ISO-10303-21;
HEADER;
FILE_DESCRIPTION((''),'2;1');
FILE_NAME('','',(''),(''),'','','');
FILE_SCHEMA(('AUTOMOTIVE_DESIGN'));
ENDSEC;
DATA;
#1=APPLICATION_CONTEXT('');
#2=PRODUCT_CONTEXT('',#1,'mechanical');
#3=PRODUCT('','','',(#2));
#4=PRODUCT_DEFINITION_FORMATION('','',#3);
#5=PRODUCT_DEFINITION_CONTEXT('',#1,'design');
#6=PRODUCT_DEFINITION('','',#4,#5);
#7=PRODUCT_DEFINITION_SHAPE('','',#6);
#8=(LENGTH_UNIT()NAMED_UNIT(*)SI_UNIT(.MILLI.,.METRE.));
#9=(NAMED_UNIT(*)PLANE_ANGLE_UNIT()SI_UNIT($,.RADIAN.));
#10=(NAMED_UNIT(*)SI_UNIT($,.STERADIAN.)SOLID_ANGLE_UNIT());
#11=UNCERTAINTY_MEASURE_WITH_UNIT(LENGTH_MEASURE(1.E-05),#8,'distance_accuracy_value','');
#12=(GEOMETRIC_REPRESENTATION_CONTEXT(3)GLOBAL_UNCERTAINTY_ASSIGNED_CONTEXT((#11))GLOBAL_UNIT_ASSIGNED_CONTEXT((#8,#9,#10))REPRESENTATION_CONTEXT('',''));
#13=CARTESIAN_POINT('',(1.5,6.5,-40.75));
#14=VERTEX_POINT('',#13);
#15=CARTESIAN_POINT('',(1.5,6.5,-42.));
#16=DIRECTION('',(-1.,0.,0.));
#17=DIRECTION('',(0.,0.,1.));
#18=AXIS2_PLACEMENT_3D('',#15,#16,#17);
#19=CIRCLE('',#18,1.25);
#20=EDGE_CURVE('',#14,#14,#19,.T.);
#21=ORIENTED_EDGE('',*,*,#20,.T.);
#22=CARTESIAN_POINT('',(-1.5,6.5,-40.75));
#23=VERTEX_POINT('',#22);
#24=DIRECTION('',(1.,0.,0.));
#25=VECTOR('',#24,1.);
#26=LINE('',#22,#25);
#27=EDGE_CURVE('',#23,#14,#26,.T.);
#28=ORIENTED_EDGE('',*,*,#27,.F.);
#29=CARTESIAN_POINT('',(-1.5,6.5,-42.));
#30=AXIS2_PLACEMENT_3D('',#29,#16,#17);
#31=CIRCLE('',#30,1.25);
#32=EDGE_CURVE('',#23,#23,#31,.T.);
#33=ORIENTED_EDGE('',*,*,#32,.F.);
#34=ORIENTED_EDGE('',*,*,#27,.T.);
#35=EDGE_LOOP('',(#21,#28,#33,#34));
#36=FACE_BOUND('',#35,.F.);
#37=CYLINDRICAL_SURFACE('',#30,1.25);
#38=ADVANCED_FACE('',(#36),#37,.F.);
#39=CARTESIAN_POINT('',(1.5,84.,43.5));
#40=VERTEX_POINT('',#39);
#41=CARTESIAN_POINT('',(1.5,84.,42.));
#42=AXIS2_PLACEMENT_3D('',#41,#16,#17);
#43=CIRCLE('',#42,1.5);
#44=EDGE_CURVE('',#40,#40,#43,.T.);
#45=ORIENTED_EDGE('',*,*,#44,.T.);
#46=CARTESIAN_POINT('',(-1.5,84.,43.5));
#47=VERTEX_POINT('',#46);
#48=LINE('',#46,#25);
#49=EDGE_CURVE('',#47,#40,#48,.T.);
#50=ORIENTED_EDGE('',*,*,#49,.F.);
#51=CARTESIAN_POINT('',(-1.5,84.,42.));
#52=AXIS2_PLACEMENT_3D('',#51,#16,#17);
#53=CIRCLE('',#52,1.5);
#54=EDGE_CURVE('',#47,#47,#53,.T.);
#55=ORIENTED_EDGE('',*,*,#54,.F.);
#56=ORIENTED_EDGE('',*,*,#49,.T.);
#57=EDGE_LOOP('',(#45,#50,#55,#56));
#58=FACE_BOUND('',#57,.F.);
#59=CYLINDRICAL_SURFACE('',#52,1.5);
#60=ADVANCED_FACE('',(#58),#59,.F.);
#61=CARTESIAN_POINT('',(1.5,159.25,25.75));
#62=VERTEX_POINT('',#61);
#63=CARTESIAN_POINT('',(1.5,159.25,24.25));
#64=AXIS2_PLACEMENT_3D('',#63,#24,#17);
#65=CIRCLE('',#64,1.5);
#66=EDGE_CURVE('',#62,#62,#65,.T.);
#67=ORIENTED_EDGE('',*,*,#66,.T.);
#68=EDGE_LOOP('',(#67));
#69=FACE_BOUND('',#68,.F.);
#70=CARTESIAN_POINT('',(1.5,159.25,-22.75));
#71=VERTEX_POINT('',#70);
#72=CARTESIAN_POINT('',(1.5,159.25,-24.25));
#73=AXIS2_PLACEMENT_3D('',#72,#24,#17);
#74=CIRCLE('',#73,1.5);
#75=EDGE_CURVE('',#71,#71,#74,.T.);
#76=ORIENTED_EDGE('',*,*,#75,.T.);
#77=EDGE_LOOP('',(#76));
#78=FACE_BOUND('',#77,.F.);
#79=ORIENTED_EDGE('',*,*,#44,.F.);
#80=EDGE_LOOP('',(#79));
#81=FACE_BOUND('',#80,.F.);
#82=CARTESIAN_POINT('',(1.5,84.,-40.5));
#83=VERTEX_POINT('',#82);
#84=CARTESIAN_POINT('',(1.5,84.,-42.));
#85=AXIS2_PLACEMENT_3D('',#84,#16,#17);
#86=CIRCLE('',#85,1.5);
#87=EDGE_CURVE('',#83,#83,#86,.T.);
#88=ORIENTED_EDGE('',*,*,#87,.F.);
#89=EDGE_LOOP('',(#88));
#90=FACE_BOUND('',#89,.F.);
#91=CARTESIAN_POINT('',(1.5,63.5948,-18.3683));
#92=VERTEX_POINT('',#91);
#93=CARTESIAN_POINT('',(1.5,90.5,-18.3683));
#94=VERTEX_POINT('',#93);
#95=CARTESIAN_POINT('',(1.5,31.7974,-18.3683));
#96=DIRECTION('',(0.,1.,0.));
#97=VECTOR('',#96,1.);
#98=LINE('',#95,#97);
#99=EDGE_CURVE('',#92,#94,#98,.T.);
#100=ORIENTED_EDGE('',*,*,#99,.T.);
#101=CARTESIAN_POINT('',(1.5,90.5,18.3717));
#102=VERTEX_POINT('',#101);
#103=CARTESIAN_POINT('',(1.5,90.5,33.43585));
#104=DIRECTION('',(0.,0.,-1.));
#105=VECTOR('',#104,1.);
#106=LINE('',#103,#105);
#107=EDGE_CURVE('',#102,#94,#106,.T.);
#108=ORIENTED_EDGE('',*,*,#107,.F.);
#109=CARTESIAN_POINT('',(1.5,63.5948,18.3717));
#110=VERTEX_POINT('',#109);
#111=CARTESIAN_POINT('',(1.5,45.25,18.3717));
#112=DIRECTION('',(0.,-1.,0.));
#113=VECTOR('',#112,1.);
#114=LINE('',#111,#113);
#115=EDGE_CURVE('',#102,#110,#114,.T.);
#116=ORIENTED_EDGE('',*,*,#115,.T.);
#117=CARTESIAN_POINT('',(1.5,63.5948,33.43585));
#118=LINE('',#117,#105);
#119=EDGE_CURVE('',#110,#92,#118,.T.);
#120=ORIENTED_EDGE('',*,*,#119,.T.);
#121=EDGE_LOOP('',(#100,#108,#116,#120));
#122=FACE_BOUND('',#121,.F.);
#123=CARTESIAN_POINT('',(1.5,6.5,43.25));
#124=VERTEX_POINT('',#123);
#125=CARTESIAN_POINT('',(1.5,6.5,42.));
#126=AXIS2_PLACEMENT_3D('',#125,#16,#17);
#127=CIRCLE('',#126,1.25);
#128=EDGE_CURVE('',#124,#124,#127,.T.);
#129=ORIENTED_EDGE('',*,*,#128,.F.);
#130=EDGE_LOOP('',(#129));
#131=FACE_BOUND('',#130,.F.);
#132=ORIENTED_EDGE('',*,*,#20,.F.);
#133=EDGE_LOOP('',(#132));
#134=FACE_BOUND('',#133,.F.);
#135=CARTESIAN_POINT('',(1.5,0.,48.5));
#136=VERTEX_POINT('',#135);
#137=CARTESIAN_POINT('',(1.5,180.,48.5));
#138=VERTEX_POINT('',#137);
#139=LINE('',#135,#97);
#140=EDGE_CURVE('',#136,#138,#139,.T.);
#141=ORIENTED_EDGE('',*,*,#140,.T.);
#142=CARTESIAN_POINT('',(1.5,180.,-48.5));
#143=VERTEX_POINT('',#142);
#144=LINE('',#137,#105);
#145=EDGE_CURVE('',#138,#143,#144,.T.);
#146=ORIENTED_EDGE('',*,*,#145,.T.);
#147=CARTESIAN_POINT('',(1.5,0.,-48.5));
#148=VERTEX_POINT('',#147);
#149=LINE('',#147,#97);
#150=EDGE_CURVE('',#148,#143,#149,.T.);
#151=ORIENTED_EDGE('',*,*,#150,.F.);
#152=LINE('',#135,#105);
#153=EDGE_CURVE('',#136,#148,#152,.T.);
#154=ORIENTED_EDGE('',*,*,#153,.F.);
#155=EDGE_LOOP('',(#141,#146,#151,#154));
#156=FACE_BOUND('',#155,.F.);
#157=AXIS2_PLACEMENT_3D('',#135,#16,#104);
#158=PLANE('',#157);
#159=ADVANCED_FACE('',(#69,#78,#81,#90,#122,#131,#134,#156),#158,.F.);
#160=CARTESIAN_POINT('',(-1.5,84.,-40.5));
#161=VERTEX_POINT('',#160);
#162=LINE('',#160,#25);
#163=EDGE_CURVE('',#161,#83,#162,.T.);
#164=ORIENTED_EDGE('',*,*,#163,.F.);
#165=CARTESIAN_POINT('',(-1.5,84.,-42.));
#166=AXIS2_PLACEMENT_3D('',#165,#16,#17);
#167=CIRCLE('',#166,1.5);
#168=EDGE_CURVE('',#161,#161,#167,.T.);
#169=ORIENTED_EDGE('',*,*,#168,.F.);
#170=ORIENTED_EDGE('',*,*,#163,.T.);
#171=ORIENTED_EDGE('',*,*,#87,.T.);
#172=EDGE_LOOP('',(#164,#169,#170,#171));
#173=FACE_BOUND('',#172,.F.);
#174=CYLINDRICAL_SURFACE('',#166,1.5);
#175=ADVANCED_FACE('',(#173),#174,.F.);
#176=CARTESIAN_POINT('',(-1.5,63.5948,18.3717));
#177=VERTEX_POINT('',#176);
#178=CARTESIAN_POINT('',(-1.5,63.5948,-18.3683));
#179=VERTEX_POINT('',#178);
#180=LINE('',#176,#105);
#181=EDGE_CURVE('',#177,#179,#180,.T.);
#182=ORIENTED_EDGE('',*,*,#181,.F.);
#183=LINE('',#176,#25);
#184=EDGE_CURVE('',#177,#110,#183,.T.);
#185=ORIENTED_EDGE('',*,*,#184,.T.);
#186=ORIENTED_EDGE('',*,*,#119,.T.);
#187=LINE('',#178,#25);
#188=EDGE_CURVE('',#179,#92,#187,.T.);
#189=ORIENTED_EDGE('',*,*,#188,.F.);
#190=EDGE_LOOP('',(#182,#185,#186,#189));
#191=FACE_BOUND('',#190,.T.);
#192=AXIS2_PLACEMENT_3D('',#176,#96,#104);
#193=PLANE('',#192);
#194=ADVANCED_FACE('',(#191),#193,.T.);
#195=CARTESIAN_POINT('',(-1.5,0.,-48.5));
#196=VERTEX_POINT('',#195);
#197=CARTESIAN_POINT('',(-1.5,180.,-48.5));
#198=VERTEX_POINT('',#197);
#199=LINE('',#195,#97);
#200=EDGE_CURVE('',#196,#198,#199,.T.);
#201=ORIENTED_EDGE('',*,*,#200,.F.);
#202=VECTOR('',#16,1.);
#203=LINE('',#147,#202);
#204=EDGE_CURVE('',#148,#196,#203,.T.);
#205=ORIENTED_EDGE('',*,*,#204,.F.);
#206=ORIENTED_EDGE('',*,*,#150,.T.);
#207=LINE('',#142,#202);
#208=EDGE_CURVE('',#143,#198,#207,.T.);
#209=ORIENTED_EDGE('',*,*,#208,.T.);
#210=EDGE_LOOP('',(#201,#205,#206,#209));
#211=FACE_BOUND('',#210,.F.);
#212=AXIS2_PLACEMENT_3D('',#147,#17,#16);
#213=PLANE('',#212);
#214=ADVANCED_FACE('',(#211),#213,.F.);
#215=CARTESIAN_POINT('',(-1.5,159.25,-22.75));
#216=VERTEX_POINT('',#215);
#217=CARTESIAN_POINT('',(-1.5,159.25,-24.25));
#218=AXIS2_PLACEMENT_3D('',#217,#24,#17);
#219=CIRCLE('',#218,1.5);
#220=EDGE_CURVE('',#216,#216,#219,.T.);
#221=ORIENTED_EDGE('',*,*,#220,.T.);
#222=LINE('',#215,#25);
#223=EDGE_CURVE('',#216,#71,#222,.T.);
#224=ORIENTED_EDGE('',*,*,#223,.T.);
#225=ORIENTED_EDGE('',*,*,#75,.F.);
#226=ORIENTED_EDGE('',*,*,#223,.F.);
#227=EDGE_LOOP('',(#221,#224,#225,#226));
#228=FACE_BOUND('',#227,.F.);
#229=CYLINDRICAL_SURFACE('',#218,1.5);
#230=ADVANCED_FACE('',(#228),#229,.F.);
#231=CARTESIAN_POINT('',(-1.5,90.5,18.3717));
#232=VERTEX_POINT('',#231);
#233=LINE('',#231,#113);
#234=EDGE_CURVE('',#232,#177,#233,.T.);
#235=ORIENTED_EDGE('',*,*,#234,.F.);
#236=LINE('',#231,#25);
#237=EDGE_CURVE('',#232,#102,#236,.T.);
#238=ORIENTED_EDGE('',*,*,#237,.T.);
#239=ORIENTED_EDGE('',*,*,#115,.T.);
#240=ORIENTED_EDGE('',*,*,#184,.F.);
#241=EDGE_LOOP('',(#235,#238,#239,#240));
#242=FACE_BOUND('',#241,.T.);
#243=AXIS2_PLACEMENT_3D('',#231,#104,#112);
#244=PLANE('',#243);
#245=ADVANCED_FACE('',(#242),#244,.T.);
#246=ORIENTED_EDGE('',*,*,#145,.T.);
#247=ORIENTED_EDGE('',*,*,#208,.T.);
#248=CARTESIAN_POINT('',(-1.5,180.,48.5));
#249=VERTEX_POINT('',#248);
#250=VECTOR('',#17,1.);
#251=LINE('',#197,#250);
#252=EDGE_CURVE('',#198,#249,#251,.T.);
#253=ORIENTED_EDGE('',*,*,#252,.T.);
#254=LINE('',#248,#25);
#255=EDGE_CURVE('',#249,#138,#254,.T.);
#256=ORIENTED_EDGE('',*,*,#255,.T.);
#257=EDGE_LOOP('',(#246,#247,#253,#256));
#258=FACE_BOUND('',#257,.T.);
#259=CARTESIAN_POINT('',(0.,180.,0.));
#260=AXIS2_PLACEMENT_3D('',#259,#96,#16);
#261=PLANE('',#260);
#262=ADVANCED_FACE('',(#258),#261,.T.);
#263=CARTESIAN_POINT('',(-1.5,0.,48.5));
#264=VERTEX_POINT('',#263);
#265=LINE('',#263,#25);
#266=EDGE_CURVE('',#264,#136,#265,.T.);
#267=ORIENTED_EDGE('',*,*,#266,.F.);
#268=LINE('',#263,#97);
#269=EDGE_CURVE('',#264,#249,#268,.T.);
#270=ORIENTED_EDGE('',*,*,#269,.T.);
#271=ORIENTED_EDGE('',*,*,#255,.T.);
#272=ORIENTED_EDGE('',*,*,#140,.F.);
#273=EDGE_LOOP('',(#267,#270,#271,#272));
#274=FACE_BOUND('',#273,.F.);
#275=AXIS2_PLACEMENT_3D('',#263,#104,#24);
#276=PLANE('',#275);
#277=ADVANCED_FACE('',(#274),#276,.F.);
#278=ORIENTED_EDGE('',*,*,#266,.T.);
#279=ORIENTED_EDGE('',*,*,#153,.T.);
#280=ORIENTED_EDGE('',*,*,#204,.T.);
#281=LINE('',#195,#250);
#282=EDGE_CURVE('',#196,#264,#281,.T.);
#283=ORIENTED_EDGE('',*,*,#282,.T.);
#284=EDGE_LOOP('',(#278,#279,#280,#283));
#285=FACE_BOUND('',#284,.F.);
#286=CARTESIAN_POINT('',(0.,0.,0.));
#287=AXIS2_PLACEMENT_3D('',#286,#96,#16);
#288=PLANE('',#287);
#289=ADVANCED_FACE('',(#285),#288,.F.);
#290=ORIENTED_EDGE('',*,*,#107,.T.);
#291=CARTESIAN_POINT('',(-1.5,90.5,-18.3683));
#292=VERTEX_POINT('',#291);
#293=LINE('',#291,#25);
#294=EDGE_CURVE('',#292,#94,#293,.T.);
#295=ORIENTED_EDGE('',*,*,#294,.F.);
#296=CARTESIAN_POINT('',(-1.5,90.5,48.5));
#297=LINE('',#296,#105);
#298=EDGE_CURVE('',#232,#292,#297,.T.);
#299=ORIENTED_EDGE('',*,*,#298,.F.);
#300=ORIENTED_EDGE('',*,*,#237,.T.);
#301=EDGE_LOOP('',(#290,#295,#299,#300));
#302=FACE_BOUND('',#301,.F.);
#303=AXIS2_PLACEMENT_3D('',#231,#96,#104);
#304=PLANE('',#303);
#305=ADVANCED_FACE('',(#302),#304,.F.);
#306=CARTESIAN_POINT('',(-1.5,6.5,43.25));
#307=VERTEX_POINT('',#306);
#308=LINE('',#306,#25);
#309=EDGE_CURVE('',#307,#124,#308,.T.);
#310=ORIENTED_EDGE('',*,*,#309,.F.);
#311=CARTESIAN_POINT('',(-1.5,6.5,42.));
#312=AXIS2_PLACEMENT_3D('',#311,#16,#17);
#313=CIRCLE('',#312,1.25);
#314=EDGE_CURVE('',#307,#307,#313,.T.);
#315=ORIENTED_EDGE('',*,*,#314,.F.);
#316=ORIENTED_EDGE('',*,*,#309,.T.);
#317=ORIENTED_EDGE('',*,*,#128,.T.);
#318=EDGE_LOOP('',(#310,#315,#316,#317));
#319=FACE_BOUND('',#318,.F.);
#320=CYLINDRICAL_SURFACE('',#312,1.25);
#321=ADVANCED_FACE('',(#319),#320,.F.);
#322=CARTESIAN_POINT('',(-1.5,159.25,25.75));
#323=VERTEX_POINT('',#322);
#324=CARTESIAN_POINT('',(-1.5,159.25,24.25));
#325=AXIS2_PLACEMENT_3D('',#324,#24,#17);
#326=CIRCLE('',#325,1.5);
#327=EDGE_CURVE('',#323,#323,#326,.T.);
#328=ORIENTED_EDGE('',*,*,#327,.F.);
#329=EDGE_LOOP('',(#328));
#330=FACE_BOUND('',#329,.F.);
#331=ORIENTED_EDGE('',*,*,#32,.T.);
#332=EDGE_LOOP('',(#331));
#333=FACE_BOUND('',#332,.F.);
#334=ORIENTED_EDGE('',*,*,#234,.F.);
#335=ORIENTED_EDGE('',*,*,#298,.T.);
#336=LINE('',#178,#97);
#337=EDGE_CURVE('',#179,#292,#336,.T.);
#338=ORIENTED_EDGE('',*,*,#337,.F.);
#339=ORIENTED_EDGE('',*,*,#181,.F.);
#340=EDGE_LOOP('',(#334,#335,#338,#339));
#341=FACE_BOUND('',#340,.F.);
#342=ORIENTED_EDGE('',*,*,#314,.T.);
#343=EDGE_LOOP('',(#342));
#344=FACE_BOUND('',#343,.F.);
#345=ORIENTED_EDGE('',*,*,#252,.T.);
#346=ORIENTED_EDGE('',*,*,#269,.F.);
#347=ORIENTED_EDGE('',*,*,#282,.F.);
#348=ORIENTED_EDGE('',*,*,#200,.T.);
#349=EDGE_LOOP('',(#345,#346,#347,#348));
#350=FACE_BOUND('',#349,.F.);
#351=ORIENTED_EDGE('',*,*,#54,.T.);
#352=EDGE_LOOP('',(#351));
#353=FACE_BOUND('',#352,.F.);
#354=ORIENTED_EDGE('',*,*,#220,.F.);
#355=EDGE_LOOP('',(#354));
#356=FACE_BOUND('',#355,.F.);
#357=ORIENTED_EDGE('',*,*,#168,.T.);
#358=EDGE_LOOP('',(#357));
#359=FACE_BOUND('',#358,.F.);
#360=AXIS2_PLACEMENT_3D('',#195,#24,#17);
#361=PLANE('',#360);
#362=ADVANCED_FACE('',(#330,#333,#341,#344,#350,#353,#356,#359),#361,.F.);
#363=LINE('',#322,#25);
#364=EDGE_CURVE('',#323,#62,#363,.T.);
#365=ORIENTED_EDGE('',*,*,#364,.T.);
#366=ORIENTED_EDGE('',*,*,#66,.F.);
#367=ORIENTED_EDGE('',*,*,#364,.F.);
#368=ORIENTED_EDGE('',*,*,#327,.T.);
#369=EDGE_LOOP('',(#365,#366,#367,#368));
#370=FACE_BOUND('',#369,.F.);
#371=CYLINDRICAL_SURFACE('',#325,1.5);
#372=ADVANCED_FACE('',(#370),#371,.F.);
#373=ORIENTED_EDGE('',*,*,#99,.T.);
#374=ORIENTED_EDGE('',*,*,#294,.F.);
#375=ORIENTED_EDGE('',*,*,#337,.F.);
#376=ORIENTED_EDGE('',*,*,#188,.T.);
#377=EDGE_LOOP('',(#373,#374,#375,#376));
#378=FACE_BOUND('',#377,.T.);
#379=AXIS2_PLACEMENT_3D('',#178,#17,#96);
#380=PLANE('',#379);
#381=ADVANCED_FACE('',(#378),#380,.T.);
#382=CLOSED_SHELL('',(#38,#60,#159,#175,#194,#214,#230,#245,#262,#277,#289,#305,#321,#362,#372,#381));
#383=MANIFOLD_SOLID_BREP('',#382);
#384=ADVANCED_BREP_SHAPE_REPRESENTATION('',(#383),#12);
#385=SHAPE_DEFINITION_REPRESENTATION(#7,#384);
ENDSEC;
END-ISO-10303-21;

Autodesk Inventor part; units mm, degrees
ref_plane "YZ Plane" through (0, 0, 0) normal (1, 0, 0) x (0, 1, 0)
ref_plane "XZ Plane" through (0, 0, 0) normal (0, 1, 0) x (-1, 0, 0)
ref_plane "XY Plane" through (0, 0, 0) normal (0, 0, 1) x (1, 0, 0)
sketch "Boceto1" plane through (0, 0, 0) normal (0, 1, 0) x (-1, 0, 0)
  line L0 (-1.5, -48.5) -> (1.5, -48.5)
  line L1 (1.5, -48.5) -> (1.5, 48.5)
  line L2 (1.5, 48.5) -> (-1.5, 48.5)
  line L3 (-1.5, 48.5) -> (-1.5, -48.5)
  line L4 (-1.5, -48.5) -> (1.5, 48.5) construction
  line L5 (1.5, -48.5) -> (-1.5, 48.5) construction
  point P0 (0, 0)
  dimension "d0" = 3
  dimension "d1" = 97
extrude "Extrusión1" add sketch "Boceto1" along normal blind 180
sketch "Boceto2" plane through (-1.5, 0, -48.5) normal (-1, 0, 0) x (0, 0, 1)
  line L0 (97, 90.5) -> (0, 90.5)
  circle A0 centre (23.1283, 84.5) radius 1.25 projected
  circle A1 centre (73.8717, 84.5) radius 1.25 projected
  line L1 (30.1317, 63.5948) -> (30.1317, 90.5)
  line L2 (66.8717, 90.5) -> (66.8717, 63.5948)
  line L3 (66.8717, 63.5948) -> (30.1317, 63.5948) projected
  line L4 (30.1317, 63.5948) -> (30.1317, 90.5) projected
  line L5 (66.8717, 90.5) -> (66.8717, 63.5948) projected
  point P0 (48.5, 0)
extrude "Extrusión2" cut sketch "Boceto2" against normal through all contours L2 L3 L1 L0
sketch "Boceto3" plane through (-1.5, 0, -48.5) normal (-1, 0, 0) x (0, 0, 1)
  circle A0 centre (6.5, 6.5) radius 1.25 projected
  circle A1 centre (90.5, 6.5) radius 1.25 projected
  circle A2 centre (90.5, 84) radius 1.5 projected
  circle A3 centre (6.5, 84) radius 1.5 projected
  point P0 (48.5, 0)
extrude "Extrusión3" cut sketch "Boceto3" against normal through all
sketch "Boceto4" plane through (-1.5, 0, -48.5) normal (-1, 0, 0) x (0, 0, 1)
  line L0 (80, 148.5) -> (17, 148.5) projected
  line L1 (0, 148.5) -> (97, 148.5) projected
  line L2 (6.3714, 170) -> (90.6286, 170) projected
  line L3 (48.5, 148.5) -> (48.5, 170)
  line L4 (48.5, 159.25) -> (24.25, 159.25)
  line L5 (24.25, 159.25) -> (72.75, 159.25)
  circle A0 centre (24.25, 159.25) radius 1.5
  circle A1 centre (72.75, 159.25) radius 1.5
  point P0 (48.5, 0)
  dimension "d8" = 24.25
  dimension "d9" = 48.5
  dimension "d10" = 3
  dimension "d11" = 3
hole "Agujero1" at (-1.5, 159.25, -24.25) at (-1.5, 159.25, 24.25) direction (1, 0, 0) diameter 3 end through all
properties part number "Panel3"
